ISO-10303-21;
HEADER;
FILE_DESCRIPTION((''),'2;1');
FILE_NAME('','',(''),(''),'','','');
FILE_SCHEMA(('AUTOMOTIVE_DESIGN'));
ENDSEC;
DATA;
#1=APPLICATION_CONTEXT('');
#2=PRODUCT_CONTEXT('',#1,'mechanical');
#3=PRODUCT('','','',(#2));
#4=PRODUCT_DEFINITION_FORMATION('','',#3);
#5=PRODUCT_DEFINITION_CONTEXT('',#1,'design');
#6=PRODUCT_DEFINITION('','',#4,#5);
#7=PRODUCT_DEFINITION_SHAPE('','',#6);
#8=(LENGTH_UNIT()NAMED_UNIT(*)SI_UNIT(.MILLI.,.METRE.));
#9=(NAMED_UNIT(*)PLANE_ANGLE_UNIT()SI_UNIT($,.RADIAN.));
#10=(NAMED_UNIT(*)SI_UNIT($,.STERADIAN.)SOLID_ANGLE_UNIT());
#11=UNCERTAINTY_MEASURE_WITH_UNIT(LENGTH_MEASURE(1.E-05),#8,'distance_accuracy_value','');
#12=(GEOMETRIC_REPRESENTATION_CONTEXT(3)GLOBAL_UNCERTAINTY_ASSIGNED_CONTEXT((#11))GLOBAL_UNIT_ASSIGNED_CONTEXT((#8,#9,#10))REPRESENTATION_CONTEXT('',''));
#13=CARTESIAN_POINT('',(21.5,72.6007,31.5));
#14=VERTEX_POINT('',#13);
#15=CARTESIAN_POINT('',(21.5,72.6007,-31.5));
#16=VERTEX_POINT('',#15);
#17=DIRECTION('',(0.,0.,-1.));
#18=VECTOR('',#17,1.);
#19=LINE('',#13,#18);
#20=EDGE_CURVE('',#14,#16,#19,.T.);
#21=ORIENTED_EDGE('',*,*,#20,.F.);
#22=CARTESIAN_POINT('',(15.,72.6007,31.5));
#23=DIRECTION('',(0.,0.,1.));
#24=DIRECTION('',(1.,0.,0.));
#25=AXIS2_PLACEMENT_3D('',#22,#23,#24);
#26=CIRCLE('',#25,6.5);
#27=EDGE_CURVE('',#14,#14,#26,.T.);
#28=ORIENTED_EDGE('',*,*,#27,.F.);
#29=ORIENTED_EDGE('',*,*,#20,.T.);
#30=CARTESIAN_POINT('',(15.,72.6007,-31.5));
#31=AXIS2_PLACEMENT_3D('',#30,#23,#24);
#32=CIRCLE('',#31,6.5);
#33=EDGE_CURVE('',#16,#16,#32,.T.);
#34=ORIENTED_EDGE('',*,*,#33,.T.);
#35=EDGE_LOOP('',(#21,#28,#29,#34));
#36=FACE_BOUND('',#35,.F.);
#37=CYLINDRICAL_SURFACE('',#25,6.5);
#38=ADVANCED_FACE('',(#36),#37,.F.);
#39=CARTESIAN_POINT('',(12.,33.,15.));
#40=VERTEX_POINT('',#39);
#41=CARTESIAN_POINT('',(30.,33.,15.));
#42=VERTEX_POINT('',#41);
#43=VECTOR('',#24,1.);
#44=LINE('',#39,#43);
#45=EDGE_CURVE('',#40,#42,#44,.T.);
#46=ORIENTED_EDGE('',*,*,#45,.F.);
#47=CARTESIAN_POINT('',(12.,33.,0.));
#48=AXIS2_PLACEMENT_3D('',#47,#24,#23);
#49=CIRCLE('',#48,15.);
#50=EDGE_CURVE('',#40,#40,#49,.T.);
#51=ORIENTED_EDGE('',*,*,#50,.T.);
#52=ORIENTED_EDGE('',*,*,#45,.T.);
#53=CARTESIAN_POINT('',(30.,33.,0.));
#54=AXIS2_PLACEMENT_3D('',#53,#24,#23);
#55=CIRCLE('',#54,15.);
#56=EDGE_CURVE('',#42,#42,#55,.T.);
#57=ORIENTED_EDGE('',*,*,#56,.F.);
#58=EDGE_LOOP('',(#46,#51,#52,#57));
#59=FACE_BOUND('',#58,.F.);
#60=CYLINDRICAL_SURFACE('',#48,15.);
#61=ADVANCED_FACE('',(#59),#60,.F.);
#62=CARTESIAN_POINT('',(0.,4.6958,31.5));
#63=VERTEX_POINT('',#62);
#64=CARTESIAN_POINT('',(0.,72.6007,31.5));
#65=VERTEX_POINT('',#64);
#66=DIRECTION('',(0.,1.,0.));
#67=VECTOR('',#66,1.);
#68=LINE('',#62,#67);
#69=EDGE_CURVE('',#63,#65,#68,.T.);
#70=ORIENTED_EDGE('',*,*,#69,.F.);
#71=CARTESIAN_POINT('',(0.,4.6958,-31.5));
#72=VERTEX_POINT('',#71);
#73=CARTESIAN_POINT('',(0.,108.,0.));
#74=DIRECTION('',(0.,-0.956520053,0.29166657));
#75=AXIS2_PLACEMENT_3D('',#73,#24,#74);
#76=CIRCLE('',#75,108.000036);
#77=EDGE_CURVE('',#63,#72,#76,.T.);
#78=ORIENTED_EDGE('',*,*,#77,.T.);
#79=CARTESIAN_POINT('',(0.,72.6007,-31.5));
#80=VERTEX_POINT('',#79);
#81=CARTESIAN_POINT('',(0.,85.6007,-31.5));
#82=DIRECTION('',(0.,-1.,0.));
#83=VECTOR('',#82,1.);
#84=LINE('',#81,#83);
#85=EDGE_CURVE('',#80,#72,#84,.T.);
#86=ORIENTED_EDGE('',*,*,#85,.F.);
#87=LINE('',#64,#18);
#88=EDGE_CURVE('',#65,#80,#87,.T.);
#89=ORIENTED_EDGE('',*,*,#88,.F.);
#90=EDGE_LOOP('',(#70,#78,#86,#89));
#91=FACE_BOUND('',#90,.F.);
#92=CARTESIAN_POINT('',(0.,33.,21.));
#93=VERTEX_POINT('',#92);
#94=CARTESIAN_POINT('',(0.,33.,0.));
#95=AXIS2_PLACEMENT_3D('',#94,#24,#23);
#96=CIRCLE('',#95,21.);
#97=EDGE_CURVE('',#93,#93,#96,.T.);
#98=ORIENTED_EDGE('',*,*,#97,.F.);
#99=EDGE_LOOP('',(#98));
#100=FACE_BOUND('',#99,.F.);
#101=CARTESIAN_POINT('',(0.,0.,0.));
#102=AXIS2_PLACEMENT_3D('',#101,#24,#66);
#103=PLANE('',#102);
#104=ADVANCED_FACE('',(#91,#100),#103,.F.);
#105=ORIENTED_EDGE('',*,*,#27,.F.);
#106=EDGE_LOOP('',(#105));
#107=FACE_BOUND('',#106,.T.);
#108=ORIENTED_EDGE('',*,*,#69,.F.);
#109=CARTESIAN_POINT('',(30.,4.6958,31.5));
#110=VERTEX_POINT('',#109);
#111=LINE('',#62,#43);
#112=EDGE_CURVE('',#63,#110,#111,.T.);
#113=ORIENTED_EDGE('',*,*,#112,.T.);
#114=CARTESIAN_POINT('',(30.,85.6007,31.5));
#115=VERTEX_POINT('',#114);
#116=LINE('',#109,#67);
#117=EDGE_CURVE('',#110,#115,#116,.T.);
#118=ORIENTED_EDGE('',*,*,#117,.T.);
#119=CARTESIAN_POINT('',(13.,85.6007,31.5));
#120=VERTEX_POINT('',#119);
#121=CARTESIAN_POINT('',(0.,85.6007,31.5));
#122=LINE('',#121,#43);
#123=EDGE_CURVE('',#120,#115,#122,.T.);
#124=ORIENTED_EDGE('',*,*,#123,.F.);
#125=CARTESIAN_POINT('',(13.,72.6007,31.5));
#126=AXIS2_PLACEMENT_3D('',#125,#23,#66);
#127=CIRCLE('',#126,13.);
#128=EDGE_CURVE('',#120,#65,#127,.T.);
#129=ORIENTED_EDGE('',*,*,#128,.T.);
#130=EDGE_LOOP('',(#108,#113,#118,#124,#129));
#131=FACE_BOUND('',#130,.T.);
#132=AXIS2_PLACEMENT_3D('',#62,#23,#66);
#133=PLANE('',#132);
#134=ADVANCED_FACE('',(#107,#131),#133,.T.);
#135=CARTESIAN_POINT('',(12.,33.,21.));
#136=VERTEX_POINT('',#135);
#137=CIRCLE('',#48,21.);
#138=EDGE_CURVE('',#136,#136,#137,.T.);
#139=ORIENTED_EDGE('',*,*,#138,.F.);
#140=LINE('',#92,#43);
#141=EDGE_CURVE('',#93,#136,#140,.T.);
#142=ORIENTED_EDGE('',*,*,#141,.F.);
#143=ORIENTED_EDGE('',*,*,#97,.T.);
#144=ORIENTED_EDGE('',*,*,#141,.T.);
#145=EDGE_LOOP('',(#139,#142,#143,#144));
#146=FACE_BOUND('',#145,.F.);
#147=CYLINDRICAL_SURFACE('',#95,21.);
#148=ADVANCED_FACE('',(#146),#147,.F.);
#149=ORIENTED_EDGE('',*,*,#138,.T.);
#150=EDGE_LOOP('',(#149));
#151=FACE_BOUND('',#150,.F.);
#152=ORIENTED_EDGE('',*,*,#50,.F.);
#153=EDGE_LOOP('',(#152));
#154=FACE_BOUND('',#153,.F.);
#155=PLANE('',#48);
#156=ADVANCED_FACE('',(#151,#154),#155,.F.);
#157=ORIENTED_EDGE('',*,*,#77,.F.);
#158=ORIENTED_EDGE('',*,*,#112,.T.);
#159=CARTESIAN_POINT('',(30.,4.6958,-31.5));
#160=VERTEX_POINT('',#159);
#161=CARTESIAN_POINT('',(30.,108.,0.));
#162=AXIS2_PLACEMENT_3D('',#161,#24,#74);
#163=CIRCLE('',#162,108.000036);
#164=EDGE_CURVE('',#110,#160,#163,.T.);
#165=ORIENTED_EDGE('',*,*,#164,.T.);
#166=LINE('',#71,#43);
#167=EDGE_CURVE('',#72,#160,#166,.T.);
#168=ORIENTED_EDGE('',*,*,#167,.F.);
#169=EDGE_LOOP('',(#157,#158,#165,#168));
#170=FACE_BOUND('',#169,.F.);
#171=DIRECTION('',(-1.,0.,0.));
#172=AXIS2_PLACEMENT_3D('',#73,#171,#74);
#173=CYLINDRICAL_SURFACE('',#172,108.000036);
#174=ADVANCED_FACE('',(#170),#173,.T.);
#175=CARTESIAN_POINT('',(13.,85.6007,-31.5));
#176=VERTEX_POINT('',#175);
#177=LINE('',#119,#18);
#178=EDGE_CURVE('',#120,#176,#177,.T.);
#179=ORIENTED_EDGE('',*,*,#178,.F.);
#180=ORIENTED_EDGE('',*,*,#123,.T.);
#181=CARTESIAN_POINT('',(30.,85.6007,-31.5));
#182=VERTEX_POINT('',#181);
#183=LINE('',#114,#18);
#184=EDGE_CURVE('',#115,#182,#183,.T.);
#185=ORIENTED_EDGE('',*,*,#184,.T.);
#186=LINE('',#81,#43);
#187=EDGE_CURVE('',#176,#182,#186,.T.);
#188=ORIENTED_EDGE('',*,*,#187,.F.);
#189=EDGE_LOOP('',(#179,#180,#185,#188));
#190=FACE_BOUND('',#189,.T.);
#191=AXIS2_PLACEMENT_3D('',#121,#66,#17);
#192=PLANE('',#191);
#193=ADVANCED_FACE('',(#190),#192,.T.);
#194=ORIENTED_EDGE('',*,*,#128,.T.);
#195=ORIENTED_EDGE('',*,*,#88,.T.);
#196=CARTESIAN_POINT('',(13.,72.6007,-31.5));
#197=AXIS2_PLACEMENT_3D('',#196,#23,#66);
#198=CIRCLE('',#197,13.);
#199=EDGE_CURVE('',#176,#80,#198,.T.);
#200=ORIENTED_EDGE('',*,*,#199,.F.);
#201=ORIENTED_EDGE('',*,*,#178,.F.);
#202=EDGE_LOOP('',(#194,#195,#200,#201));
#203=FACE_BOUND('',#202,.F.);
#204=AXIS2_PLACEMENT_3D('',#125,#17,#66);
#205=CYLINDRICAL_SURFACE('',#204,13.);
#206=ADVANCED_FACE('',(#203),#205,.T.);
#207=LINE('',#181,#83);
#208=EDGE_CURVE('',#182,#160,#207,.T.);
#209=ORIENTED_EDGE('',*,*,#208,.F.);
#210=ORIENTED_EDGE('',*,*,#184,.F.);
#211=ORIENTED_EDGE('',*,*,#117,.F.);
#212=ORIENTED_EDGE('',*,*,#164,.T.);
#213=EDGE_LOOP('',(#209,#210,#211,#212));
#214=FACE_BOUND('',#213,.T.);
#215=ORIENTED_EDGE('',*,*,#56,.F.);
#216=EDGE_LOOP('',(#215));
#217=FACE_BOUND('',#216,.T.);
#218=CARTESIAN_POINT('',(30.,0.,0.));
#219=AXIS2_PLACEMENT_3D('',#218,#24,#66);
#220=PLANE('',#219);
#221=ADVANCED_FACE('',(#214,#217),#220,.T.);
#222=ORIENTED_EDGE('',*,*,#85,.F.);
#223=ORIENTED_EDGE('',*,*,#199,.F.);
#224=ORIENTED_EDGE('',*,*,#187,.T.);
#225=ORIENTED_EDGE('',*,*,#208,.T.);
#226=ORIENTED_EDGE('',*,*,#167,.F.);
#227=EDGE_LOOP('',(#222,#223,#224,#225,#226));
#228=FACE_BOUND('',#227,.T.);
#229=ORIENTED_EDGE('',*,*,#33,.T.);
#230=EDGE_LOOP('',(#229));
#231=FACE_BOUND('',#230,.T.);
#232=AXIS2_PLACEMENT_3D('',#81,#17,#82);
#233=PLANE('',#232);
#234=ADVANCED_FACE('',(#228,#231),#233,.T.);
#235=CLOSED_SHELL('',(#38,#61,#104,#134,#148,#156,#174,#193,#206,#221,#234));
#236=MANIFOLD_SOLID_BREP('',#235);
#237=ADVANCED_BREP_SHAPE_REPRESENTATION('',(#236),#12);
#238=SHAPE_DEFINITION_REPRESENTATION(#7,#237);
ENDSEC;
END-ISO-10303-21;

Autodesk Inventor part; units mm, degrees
ref_plane "YZ Plane" through (0, 0, 0) normal (1, 0, 0) x (0, 1, 0)
ref_plane "XZ Plane" through (0, 0, 0) normal (0, 1, 0) x (-1, 0, 0)
ref_plane "XY Plane" through (0, 0, 0) normal (0, 0, 1) x (1, 0, 0)
sketch "Sketch1" plane through (0, 0, 0) normal (1, 0, 0) x (0, 1, 0)
  arc A0 (4.6958, 31.5) -> (4.6958, -31.5) centre (108, 0) ccw
  line L0 (4.6958, 31.5) -> (85.6007, 31.5)
  line L1 (85.6007, 31.5) -> (85.6007, -31.5)
  line L2 (85.6007, -31.5) -> (4.6958, -31.5)
  point P0 (0, 0)
  point P1 (0, 0)
  point P2 (4.6958, -31.5)
  dimension "d0" = 108
  dimension "d1" = 63
  dimension "d2" = 0
extrude "Extrusion1" add sketch "Sketch1" along normal blind 30
fillet "Fillet1" radius 13 1 edges at (0, 85.6007, 0)
sketch "Sketch2" plane through (0, 4.6958, 31.5) normal (0, 0, 1) x (1, 0, 0)
  circle A0 centre (15, 67.9049) radius 6.5
  line L0 (13, 80.9049) -> (30, 80.9049) projected
  line L1 (30, 80.9049) -> (30, 0) projected
  point P0 (0, -4.6958)
  dimension "d7" = 13
  dimension "d8" = 15
  dimension "d9" = 13
extrude "Extrusion2" cut sketch "Sketch2" against normal through all
sketch "Sketch3" plane through (0, 0, 0) normal (-1, 0, 0) x (0, 0, 1)
  point P0 (0, 0)
  point P1 (0, 33)
  dimension "d12" = 33
hole "Hole1" at (0, 33, 0) direction (1, 0, 0) diameter 30 end through all counterbore diameter 42 counterbore depth 12
properties part number "drag release plate"
